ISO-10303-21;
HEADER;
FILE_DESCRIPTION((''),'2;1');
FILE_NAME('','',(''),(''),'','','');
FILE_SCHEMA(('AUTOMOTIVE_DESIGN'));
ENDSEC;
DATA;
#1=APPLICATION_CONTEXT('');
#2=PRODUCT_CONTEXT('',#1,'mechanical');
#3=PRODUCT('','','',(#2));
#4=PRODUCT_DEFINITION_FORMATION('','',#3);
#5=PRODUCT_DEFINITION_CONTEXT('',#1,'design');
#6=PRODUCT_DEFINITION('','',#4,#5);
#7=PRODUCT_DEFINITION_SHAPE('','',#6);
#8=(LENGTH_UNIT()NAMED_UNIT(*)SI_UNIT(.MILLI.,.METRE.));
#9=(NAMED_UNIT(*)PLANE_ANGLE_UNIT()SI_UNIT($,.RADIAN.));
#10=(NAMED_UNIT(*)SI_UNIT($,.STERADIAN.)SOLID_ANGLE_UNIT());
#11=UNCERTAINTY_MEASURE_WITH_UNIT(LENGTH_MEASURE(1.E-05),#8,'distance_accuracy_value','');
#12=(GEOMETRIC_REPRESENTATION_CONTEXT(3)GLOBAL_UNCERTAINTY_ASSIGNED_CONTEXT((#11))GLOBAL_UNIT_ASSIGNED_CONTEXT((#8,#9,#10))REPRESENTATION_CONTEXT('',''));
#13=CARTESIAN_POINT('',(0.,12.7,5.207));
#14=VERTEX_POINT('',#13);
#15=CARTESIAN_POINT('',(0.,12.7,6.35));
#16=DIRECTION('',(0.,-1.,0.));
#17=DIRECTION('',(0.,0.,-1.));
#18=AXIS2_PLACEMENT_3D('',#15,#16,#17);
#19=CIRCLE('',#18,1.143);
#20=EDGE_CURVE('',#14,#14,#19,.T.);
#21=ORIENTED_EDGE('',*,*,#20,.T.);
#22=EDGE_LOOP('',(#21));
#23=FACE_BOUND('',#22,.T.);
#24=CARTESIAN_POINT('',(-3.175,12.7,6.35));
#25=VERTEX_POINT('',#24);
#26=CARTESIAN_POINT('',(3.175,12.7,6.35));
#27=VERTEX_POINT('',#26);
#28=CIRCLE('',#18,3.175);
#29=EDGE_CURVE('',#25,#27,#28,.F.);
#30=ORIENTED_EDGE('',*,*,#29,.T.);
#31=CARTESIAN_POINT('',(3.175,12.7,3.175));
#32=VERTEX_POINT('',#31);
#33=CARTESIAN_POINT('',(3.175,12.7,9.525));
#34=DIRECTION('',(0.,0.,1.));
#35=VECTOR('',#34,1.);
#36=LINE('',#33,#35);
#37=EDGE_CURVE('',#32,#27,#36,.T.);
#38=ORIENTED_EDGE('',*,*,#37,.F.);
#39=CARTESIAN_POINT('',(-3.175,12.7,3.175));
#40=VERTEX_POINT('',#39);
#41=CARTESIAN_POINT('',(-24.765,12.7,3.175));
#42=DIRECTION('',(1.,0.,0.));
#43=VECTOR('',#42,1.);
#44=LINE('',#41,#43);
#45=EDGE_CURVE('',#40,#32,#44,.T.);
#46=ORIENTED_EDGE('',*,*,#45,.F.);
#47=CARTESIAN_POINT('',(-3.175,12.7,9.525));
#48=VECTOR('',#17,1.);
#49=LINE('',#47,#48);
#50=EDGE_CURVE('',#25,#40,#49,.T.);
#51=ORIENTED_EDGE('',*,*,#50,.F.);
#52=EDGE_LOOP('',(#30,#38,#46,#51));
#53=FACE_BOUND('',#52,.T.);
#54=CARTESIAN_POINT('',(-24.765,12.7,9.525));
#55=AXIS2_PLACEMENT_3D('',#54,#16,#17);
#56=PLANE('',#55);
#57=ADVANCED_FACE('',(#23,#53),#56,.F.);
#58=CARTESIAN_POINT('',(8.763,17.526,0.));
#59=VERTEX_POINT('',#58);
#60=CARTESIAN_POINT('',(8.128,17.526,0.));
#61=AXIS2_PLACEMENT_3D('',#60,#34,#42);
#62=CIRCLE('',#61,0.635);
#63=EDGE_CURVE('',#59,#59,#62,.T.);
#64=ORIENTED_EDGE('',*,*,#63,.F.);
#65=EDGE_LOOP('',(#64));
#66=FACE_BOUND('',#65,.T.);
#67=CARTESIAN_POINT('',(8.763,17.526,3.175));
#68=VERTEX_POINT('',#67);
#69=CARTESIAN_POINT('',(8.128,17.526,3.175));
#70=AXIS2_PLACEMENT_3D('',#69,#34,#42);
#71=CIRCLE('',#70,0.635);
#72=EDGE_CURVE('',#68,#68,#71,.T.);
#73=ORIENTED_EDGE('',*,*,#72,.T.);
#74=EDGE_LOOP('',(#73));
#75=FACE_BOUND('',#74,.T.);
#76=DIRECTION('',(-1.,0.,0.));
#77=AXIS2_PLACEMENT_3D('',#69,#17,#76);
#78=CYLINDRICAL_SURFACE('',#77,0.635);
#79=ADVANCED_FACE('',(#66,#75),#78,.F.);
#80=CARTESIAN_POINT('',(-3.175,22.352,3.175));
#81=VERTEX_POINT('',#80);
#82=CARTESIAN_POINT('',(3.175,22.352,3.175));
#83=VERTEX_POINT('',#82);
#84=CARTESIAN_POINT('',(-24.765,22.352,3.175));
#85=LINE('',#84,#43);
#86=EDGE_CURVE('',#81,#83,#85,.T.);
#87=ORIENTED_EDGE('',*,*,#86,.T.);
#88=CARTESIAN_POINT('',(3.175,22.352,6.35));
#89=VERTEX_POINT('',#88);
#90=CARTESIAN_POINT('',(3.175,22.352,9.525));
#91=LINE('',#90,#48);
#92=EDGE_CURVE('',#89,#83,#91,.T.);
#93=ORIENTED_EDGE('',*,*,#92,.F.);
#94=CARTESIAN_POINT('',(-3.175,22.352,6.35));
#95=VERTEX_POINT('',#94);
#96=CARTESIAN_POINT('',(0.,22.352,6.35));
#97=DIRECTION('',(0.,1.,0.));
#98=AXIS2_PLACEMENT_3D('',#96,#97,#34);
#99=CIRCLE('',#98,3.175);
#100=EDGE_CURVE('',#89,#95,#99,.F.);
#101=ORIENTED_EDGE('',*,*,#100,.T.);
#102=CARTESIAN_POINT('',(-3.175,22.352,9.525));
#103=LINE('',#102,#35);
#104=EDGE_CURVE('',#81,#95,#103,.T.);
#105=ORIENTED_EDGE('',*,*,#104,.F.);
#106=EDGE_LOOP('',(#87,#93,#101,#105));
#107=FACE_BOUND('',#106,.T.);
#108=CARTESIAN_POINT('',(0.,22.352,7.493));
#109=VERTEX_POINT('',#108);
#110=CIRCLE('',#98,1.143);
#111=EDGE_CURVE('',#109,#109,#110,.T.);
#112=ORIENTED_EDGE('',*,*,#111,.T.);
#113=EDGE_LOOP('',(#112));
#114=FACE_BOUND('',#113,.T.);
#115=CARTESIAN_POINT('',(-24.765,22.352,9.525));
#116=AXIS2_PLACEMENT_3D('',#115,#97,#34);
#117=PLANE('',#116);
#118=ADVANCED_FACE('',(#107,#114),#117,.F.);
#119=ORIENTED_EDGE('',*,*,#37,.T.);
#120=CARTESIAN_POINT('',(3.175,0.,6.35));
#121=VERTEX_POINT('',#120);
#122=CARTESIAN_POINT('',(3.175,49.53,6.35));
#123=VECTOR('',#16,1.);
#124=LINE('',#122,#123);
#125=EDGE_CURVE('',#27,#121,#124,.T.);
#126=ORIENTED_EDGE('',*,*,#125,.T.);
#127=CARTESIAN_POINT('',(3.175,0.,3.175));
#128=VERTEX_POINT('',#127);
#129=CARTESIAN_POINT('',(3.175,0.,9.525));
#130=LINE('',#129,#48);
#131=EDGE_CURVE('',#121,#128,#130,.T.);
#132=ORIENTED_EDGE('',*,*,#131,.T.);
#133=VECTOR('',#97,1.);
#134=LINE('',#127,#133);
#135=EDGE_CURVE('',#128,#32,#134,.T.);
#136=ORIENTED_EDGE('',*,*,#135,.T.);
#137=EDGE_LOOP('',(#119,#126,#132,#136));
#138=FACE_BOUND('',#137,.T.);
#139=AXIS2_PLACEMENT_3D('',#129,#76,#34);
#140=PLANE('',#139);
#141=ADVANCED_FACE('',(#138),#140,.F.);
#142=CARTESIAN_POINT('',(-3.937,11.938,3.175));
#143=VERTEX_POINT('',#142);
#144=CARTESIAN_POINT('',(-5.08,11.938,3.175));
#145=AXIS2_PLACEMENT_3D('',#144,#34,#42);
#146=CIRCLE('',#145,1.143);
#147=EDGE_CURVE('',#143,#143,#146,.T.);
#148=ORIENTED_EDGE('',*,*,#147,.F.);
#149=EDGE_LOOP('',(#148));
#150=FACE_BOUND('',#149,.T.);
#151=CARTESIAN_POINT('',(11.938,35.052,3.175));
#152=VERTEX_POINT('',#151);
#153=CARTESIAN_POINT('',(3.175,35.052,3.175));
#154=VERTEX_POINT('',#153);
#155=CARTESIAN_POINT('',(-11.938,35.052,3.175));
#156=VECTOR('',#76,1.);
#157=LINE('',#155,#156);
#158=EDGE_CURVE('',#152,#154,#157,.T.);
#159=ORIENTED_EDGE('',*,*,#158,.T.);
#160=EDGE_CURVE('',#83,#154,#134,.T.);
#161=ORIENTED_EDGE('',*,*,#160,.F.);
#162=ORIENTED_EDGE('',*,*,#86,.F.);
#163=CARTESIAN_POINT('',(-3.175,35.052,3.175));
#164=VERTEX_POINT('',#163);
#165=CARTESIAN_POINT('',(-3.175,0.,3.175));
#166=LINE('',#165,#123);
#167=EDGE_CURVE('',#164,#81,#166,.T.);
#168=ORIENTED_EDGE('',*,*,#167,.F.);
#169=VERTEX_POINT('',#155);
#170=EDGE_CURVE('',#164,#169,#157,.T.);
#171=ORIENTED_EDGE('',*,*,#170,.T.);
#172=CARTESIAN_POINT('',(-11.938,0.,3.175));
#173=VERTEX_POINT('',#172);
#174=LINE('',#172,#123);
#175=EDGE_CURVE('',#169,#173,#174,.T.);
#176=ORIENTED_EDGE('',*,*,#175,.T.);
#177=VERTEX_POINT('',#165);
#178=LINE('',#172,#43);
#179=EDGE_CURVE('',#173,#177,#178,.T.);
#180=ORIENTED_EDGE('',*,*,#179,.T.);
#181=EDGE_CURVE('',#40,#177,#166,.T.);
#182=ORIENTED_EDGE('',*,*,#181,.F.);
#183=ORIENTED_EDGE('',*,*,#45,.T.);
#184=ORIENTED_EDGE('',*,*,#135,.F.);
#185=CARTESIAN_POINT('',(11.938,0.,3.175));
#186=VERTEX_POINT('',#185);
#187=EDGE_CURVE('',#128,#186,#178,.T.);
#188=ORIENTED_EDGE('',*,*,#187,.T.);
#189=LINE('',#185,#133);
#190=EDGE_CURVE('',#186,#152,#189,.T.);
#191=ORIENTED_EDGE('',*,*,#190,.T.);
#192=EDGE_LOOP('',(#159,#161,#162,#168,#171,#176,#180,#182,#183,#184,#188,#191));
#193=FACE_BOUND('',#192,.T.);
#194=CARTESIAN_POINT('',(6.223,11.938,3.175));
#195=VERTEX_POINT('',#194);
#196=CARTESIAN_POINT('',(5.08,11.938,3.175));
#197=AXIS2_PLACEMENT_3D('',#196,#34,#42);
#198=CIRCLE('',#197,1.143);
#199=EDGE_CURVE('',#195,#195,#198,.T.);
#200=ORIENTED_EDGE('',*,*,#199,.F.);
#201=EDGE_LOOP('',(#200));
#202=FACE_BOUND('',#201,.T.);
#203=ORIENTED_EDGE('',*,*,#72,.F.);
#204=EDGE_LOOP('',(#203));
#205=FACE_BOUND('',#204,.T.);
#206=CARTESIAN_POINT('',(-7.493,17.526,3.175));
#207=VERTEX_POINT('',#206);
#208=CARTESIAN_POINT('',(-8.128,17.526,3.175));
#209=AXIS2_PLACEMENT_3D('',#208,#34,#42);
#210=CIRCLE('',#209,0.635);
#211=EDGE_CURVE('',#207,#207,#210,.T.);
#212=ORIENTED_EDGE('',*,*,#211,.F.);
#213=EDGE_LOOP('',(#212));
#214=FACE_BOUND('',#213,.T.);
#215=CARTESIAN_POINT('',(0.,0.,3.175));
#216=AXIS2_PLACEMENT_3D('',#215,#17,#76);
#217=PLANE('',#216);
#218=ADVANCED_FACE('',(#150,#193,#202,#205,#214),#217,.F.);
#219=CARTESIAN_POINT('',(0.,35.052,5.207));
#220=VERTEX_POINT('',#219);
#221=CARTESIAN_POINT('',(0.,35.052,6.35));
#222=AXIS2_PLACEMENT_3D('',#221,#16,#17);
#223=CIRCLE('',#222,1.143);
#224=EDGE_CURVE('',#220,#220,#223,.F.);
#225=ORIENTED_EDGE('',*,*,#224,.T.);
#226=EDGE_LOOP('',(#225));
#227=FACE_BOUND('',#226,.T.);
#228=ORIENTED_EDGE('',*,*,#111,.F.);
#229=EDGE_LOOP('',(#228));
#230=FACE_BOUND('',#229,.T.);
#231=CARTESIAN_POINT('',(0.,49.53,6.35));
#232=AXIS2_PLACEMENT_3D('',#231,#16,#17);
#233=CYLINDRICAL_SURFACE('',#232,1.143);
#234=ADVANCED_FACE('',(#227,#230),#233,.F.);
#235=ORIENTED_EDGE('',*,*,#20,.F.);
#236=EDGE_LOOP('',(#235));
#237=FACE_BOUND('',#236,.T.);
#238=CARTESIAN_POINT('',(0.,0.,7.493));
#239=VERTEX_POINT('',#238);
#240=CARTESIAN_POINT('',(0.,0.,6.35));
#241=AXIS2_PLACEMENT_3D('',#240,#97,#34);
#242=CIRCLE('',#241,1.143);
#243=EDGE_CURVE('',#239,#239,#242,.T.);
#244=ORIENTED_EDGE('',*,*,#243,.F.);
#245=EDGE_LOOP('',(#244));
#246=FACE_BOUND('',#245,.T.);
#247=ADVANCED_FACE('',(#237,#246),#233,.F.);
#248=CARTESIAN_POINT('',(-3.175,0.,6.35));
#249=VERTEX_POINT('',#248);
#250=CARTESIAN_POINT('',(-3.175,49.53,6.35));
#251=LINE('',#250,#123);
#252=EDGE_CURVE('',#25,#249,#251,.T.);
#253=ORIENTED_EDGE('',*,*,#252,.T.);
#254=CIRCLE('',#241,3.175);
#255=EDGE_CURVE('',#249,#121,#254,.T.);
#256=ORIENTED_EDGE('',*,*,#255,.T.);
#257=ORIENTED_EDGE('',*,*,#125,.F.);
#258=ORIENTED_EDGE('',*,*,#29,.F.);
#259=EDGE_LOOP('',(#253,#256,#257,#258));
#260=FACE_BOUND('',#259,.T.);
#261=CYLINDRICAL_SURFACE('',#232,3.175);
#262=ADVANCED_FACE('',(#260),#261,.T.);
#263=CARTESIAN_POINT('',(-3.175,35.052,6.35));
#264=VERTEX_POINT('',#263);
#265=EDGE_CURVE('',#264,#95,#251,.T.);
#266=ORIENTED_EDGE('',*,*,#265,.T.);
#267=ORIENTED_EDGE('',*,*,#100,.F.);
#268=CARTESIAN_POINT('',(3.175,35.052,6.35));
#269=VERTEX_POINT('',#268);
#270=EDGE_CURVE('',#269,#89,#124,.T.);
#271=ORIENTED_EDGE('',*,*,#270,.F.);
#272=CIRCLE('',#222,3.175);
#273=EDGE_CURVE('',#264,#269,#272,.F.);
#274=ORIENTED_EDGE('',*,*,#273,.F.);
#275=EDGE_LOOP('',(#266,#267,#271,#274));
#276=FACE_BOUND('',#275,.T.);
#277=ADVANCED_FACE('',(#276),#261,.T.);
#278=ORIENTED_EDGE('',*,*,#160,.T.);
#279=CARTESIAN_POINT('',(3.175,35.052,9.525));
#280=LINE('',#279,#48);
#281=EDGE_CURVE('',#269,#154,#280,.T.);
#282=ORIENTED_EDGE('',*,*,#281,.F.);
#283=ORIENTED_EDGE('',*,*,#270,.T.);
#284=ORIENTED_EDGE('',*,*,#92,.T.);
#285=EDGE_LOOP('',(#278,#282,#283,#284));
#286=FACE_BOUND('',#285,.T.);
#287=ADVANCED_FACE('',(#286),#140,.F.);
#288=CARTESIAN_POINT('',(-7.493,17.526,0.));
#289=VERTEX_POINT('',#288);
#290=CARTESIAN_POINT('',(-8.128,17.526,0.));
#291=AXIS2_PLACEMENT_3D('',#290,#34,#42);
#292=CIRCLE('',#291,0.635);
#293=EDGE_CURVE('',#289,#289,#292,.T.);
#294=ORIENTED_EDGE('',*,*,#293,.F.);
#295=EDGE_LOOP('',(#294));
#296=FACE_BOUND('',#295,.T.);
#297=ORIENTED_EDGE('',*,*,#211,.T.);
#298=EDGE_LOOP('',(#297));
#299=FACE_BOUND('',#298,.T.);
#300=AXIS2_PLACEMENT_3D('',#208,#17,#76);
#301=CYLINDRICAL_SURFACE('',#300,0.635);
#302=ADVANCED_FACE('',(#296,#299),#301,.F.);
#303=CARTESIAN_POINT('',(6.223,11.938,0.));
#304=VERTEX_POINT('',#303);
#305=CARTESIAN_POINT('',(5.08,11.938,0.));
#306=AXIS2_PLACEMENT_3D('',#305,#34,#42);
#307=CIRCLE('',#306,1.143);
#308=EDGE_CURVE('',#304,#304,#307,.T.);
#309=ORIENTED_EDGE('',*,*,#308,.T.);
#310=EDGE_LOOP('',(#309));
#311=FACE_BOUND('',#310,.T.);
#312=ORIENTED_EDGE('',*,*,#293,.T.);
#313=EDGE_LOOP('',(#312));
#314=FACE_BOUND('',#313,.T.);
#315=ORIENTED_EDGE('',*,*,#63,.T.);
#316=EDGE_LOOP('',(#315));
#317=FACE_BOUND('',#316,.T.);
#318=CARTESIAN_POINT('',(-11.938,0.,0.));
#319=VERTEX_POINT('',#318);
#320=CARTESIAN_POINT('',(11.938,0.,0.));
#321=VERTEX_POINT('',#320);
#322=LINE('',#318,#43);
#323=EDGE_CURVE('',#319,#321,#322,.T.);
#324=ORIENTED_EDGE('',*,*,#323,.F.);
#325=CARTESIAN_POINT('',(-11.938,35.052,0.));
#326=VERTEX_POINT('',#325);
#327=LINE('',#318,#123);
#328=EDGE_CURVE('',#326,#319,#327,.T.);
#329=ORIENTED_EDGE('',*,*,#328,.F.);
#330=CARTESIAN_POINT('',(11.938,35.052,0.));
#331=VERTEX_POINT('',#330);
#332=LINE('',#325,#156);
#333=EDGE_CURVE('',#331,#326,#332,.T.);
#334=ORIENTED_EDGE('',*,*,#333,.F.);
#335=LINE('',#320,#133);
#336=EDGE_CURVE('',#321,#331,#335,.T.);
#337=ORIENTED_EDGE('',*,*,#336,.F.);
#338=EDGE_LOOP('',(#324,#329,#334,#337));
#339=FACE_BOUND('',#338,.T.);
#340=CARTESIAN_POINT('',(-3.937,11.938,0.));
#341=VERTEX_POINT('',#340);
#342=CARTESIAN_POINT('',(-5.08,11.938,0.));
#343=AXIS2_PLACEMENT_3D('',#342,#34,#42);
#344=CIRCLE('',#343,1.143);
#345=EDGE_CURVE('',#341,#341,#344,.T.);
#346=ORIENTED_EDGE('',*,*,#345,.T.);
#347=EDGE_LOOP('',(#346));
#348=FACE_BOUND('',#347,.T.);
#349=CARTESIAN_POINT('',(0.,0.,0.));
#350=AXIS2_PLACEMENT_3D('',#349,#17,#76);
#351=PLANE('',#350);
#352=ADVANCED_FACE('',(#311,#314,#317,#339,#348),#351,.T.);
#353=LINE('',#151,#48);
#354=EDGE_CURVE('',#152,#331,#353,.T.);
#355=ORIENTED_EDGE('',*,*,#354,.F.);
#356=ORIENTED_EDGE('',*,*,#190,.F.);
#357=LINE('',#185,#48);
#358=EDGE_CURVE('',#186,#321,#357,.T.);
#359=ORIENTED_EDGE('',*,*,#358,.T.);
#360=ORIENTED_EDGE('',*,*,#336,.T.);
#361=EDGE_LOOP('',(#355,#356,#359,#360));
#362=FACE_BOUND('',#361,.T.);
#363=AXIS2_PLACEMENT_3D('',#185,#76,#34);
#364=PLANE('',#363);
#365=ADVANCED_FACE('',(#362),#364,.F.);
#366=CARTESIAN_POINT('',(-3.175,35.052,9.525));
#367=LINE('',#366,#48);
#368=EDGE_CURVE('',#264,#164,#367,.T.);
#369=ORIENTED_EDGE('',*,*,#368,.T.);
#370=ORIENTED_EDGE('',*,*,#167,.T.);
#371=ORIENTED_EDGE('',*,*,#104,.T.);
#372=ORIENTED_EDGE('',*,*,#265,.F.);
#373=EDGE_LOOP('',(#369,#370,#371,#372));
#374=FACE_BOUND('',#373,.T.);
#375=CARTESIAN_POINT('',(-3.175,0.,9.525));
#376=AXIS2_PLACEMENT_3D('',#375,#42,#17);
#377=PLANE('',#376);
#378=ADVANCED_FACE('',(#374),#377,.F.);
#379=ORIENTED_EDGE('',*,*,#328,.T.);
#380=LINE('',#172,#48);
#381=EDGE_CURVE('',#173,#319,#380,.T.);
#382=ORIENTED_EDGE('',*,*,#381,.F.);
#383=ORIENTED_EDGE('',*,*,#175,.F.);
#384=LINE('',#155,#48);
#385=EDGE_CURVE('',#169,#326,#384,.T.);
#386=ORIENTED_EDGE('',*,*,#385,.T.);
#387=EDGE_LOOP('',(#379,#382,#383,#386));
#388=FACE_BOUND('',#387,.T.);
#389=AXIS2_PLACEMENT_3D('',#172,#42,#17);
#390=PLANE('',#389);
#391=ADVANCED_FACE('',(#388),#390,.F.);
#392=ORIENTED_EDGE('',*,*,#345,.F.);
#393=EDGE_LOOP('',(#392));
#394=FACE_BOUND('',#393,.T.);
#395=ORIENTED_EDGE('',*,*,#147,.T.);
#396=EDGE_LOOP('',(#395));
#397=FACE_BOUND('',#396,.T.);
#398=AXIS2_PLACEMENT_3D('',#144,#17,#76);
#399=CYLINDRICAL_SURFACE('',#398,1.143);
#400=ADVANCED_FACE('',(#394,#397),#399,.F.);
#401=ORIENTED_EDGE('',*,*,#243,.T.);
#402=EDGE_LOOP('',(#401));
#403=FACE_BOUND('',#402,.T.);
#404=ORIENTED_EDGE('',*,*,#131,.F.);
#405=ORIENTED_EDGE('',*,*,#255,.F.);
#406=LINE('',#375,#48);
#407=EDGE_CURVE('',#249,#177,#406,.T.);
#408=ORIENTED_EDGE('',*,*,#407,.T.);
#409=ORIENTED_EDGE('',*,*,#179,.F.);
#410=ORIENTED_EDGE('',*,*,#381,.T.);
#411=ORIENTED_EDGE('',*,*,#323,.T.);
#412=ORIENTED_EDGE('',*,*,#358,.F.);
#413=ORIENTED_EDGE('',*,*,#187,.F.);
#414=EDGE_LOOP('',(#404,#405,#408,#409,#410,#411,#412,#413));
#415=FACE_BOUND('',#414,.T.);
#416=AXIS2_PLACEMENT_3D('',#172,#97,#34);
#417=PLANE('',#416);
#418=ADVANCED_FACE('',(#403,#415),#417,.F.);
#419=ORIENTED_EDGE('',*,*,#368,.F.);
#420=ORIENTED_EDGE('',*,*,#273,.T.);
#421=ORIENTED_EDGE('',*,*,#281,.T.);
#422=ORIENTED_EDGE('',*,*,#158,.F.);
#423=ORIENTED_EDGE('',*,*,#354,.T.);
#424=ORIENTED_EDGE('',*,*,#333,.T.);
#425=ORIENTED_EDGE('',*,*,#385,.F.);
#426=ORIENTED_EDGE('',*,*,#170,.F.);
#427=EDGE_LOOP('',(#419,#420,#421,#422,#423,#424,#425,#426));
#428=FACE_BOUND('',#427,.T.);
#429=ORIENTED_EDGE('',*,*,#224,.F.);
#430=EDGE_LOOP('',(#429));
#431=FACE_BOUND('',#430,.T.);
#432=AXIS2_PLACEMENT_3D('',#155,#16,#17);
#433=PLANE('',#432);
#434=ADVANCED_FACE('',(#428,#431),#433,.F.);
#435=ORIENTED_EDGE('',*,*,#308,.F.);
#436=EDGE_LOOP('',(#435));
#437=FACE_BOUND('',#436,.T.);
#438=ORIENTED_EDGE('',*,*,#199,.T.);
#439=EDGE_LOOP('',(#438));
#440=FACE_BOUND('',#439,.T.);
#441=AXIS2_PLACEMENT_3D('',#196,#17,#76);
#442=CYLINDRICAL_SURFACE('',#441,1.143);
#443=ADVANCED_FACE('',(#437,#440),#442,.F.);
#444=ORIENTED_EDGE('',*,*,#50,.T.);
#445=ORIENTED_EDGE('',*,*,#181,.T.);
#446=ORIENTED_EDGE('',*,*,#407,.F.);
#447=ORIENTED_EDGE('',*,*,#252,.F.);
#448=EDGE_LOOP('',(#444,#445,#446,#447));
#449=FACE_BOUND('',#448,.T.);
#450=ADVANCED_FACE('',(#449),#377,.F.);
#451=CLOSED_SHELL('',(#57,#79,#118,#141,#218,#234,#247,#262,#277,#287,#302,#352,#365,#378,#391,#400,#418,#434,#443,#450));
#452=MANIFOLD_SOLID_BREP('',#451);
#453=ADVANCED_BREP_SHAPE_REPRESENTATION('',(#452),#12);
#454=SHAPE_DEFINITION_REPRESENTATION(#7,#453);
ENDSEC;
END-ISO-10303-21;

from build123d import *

# Parameters (mm, degrees)
SKETCH2_W           = 23.876
SKETCH2_H           = 35.052
SKETCH2_R           = 1.143
SKETCH2_R_2         = 0.635
BOSS_EXTRUDE1_DEPTH = 3.175
SKETCH3_W           = 6.35
SKETCH3_H           = 35.052
BOSS_EXTRUDE2_DEPTH = 6.35
SKETCH4_R           = 1.143
CUT_EXTRUDE3_DEPTH  = 49.53
SKETCH5_W           = 6.35
SKETCH5_H           = 9.652
CUT_EXTRUDE4_DEPTH  = 24.765
CUT_EXTRUDE5_DEPTH  = 49.53


with BuildPart() as part:
    # Sketch2 → Boss-Extrude1 (new body)
    with BuildSketch(Plane.XY):
        with Locations((0, 17.526)):
            Rectangle(SKETCH2_W, SKETCH2_H)
        with Locations((-5.08, 11.938)):
            Circle(SKETCH2_R, mode=Mode.SUBTRACT)
        with Locations((5.08, 11.938)):
            Circle(SKETCH2_R, mode=Mode.SUBTRACT)
        with Locations((-8.128, 17.526)):
            Circle(SKETCH2_R_2, mode=Mode.SUBTRACT)
        with Locations((8.128, 17.526)):
            Circle(SKETCH2_R_2, mode=Mode.SUBTRACT)
    extrude(amount=BOSS_EXTRUDE1_DEPTH)

    # Sketch3 → Boss-Extrude2 (add)
    with BuildSketch(Plane.XY.offset(3.175)):
        with Locations((0, 17.526)):
            Rectangle(SKETCH3_W, SKETCH3_H)
    extrude(amount=BOSS_EXTRUDE2_DEPTH)

    # Sketch4 → Cut-Extrude3 (cut)
    with BuildSketch(Plane(origin=(0, 0, 0), x_dir=(1, 0, 0), z_dir=(0, 1, 0))):
        with Locations((0, -6.35)):
            Circle(SKETCH4_R)
    extrude(amount=CUT_EXTRUDE3_DEPTH, mode=Mode.SUBTRACT)

    # Sketch5 → Cut-Extrude4 (cut, symmetric)
    with BuildSketch(Plane(origin=(0, 0, 0), x_dir=(0, 0, -1), z_dir=(1, 0, 0))):
        with Locations((-6.35, 17.526)):
            Rectangle(SKETCH5_W, SKETCH5_H)
    extrude(amount=CUT_EXTRUDE4_DEPTH, both=True, mode=Mode.SUBTRACT)

    # Sketch6 → Cut-Extrude5 (cut)
    with BuildSketch(Plane(origin=(0, 0, 0), x_dir=(1, 0, 0), z_dir=(0, 1, 0))):
        with BuildLine():
            ThreePointArc((0, -9.525), (-2.24506403, -8.59506403), (-3.175, -6.35))
            Line((-3.175, -6.35), (-3.175, -9.525))
            Line((-3.175, -9.525), (0, -9.525))
        make_face()
        with BuildLine():
            ThreePointArc((3.175, -6.35), (2.24506403, -8.59506403), (0, -9.525))
            Line((0, -9.525), (3.175, -9.525))
            Line((3.175, -9.525), (3.175, -6.35))
        make_face()
    extrude(amount=CUT_EXTRUDE5_DEPTH, mode=Mode.SUBTRACT)


solid = part.part
